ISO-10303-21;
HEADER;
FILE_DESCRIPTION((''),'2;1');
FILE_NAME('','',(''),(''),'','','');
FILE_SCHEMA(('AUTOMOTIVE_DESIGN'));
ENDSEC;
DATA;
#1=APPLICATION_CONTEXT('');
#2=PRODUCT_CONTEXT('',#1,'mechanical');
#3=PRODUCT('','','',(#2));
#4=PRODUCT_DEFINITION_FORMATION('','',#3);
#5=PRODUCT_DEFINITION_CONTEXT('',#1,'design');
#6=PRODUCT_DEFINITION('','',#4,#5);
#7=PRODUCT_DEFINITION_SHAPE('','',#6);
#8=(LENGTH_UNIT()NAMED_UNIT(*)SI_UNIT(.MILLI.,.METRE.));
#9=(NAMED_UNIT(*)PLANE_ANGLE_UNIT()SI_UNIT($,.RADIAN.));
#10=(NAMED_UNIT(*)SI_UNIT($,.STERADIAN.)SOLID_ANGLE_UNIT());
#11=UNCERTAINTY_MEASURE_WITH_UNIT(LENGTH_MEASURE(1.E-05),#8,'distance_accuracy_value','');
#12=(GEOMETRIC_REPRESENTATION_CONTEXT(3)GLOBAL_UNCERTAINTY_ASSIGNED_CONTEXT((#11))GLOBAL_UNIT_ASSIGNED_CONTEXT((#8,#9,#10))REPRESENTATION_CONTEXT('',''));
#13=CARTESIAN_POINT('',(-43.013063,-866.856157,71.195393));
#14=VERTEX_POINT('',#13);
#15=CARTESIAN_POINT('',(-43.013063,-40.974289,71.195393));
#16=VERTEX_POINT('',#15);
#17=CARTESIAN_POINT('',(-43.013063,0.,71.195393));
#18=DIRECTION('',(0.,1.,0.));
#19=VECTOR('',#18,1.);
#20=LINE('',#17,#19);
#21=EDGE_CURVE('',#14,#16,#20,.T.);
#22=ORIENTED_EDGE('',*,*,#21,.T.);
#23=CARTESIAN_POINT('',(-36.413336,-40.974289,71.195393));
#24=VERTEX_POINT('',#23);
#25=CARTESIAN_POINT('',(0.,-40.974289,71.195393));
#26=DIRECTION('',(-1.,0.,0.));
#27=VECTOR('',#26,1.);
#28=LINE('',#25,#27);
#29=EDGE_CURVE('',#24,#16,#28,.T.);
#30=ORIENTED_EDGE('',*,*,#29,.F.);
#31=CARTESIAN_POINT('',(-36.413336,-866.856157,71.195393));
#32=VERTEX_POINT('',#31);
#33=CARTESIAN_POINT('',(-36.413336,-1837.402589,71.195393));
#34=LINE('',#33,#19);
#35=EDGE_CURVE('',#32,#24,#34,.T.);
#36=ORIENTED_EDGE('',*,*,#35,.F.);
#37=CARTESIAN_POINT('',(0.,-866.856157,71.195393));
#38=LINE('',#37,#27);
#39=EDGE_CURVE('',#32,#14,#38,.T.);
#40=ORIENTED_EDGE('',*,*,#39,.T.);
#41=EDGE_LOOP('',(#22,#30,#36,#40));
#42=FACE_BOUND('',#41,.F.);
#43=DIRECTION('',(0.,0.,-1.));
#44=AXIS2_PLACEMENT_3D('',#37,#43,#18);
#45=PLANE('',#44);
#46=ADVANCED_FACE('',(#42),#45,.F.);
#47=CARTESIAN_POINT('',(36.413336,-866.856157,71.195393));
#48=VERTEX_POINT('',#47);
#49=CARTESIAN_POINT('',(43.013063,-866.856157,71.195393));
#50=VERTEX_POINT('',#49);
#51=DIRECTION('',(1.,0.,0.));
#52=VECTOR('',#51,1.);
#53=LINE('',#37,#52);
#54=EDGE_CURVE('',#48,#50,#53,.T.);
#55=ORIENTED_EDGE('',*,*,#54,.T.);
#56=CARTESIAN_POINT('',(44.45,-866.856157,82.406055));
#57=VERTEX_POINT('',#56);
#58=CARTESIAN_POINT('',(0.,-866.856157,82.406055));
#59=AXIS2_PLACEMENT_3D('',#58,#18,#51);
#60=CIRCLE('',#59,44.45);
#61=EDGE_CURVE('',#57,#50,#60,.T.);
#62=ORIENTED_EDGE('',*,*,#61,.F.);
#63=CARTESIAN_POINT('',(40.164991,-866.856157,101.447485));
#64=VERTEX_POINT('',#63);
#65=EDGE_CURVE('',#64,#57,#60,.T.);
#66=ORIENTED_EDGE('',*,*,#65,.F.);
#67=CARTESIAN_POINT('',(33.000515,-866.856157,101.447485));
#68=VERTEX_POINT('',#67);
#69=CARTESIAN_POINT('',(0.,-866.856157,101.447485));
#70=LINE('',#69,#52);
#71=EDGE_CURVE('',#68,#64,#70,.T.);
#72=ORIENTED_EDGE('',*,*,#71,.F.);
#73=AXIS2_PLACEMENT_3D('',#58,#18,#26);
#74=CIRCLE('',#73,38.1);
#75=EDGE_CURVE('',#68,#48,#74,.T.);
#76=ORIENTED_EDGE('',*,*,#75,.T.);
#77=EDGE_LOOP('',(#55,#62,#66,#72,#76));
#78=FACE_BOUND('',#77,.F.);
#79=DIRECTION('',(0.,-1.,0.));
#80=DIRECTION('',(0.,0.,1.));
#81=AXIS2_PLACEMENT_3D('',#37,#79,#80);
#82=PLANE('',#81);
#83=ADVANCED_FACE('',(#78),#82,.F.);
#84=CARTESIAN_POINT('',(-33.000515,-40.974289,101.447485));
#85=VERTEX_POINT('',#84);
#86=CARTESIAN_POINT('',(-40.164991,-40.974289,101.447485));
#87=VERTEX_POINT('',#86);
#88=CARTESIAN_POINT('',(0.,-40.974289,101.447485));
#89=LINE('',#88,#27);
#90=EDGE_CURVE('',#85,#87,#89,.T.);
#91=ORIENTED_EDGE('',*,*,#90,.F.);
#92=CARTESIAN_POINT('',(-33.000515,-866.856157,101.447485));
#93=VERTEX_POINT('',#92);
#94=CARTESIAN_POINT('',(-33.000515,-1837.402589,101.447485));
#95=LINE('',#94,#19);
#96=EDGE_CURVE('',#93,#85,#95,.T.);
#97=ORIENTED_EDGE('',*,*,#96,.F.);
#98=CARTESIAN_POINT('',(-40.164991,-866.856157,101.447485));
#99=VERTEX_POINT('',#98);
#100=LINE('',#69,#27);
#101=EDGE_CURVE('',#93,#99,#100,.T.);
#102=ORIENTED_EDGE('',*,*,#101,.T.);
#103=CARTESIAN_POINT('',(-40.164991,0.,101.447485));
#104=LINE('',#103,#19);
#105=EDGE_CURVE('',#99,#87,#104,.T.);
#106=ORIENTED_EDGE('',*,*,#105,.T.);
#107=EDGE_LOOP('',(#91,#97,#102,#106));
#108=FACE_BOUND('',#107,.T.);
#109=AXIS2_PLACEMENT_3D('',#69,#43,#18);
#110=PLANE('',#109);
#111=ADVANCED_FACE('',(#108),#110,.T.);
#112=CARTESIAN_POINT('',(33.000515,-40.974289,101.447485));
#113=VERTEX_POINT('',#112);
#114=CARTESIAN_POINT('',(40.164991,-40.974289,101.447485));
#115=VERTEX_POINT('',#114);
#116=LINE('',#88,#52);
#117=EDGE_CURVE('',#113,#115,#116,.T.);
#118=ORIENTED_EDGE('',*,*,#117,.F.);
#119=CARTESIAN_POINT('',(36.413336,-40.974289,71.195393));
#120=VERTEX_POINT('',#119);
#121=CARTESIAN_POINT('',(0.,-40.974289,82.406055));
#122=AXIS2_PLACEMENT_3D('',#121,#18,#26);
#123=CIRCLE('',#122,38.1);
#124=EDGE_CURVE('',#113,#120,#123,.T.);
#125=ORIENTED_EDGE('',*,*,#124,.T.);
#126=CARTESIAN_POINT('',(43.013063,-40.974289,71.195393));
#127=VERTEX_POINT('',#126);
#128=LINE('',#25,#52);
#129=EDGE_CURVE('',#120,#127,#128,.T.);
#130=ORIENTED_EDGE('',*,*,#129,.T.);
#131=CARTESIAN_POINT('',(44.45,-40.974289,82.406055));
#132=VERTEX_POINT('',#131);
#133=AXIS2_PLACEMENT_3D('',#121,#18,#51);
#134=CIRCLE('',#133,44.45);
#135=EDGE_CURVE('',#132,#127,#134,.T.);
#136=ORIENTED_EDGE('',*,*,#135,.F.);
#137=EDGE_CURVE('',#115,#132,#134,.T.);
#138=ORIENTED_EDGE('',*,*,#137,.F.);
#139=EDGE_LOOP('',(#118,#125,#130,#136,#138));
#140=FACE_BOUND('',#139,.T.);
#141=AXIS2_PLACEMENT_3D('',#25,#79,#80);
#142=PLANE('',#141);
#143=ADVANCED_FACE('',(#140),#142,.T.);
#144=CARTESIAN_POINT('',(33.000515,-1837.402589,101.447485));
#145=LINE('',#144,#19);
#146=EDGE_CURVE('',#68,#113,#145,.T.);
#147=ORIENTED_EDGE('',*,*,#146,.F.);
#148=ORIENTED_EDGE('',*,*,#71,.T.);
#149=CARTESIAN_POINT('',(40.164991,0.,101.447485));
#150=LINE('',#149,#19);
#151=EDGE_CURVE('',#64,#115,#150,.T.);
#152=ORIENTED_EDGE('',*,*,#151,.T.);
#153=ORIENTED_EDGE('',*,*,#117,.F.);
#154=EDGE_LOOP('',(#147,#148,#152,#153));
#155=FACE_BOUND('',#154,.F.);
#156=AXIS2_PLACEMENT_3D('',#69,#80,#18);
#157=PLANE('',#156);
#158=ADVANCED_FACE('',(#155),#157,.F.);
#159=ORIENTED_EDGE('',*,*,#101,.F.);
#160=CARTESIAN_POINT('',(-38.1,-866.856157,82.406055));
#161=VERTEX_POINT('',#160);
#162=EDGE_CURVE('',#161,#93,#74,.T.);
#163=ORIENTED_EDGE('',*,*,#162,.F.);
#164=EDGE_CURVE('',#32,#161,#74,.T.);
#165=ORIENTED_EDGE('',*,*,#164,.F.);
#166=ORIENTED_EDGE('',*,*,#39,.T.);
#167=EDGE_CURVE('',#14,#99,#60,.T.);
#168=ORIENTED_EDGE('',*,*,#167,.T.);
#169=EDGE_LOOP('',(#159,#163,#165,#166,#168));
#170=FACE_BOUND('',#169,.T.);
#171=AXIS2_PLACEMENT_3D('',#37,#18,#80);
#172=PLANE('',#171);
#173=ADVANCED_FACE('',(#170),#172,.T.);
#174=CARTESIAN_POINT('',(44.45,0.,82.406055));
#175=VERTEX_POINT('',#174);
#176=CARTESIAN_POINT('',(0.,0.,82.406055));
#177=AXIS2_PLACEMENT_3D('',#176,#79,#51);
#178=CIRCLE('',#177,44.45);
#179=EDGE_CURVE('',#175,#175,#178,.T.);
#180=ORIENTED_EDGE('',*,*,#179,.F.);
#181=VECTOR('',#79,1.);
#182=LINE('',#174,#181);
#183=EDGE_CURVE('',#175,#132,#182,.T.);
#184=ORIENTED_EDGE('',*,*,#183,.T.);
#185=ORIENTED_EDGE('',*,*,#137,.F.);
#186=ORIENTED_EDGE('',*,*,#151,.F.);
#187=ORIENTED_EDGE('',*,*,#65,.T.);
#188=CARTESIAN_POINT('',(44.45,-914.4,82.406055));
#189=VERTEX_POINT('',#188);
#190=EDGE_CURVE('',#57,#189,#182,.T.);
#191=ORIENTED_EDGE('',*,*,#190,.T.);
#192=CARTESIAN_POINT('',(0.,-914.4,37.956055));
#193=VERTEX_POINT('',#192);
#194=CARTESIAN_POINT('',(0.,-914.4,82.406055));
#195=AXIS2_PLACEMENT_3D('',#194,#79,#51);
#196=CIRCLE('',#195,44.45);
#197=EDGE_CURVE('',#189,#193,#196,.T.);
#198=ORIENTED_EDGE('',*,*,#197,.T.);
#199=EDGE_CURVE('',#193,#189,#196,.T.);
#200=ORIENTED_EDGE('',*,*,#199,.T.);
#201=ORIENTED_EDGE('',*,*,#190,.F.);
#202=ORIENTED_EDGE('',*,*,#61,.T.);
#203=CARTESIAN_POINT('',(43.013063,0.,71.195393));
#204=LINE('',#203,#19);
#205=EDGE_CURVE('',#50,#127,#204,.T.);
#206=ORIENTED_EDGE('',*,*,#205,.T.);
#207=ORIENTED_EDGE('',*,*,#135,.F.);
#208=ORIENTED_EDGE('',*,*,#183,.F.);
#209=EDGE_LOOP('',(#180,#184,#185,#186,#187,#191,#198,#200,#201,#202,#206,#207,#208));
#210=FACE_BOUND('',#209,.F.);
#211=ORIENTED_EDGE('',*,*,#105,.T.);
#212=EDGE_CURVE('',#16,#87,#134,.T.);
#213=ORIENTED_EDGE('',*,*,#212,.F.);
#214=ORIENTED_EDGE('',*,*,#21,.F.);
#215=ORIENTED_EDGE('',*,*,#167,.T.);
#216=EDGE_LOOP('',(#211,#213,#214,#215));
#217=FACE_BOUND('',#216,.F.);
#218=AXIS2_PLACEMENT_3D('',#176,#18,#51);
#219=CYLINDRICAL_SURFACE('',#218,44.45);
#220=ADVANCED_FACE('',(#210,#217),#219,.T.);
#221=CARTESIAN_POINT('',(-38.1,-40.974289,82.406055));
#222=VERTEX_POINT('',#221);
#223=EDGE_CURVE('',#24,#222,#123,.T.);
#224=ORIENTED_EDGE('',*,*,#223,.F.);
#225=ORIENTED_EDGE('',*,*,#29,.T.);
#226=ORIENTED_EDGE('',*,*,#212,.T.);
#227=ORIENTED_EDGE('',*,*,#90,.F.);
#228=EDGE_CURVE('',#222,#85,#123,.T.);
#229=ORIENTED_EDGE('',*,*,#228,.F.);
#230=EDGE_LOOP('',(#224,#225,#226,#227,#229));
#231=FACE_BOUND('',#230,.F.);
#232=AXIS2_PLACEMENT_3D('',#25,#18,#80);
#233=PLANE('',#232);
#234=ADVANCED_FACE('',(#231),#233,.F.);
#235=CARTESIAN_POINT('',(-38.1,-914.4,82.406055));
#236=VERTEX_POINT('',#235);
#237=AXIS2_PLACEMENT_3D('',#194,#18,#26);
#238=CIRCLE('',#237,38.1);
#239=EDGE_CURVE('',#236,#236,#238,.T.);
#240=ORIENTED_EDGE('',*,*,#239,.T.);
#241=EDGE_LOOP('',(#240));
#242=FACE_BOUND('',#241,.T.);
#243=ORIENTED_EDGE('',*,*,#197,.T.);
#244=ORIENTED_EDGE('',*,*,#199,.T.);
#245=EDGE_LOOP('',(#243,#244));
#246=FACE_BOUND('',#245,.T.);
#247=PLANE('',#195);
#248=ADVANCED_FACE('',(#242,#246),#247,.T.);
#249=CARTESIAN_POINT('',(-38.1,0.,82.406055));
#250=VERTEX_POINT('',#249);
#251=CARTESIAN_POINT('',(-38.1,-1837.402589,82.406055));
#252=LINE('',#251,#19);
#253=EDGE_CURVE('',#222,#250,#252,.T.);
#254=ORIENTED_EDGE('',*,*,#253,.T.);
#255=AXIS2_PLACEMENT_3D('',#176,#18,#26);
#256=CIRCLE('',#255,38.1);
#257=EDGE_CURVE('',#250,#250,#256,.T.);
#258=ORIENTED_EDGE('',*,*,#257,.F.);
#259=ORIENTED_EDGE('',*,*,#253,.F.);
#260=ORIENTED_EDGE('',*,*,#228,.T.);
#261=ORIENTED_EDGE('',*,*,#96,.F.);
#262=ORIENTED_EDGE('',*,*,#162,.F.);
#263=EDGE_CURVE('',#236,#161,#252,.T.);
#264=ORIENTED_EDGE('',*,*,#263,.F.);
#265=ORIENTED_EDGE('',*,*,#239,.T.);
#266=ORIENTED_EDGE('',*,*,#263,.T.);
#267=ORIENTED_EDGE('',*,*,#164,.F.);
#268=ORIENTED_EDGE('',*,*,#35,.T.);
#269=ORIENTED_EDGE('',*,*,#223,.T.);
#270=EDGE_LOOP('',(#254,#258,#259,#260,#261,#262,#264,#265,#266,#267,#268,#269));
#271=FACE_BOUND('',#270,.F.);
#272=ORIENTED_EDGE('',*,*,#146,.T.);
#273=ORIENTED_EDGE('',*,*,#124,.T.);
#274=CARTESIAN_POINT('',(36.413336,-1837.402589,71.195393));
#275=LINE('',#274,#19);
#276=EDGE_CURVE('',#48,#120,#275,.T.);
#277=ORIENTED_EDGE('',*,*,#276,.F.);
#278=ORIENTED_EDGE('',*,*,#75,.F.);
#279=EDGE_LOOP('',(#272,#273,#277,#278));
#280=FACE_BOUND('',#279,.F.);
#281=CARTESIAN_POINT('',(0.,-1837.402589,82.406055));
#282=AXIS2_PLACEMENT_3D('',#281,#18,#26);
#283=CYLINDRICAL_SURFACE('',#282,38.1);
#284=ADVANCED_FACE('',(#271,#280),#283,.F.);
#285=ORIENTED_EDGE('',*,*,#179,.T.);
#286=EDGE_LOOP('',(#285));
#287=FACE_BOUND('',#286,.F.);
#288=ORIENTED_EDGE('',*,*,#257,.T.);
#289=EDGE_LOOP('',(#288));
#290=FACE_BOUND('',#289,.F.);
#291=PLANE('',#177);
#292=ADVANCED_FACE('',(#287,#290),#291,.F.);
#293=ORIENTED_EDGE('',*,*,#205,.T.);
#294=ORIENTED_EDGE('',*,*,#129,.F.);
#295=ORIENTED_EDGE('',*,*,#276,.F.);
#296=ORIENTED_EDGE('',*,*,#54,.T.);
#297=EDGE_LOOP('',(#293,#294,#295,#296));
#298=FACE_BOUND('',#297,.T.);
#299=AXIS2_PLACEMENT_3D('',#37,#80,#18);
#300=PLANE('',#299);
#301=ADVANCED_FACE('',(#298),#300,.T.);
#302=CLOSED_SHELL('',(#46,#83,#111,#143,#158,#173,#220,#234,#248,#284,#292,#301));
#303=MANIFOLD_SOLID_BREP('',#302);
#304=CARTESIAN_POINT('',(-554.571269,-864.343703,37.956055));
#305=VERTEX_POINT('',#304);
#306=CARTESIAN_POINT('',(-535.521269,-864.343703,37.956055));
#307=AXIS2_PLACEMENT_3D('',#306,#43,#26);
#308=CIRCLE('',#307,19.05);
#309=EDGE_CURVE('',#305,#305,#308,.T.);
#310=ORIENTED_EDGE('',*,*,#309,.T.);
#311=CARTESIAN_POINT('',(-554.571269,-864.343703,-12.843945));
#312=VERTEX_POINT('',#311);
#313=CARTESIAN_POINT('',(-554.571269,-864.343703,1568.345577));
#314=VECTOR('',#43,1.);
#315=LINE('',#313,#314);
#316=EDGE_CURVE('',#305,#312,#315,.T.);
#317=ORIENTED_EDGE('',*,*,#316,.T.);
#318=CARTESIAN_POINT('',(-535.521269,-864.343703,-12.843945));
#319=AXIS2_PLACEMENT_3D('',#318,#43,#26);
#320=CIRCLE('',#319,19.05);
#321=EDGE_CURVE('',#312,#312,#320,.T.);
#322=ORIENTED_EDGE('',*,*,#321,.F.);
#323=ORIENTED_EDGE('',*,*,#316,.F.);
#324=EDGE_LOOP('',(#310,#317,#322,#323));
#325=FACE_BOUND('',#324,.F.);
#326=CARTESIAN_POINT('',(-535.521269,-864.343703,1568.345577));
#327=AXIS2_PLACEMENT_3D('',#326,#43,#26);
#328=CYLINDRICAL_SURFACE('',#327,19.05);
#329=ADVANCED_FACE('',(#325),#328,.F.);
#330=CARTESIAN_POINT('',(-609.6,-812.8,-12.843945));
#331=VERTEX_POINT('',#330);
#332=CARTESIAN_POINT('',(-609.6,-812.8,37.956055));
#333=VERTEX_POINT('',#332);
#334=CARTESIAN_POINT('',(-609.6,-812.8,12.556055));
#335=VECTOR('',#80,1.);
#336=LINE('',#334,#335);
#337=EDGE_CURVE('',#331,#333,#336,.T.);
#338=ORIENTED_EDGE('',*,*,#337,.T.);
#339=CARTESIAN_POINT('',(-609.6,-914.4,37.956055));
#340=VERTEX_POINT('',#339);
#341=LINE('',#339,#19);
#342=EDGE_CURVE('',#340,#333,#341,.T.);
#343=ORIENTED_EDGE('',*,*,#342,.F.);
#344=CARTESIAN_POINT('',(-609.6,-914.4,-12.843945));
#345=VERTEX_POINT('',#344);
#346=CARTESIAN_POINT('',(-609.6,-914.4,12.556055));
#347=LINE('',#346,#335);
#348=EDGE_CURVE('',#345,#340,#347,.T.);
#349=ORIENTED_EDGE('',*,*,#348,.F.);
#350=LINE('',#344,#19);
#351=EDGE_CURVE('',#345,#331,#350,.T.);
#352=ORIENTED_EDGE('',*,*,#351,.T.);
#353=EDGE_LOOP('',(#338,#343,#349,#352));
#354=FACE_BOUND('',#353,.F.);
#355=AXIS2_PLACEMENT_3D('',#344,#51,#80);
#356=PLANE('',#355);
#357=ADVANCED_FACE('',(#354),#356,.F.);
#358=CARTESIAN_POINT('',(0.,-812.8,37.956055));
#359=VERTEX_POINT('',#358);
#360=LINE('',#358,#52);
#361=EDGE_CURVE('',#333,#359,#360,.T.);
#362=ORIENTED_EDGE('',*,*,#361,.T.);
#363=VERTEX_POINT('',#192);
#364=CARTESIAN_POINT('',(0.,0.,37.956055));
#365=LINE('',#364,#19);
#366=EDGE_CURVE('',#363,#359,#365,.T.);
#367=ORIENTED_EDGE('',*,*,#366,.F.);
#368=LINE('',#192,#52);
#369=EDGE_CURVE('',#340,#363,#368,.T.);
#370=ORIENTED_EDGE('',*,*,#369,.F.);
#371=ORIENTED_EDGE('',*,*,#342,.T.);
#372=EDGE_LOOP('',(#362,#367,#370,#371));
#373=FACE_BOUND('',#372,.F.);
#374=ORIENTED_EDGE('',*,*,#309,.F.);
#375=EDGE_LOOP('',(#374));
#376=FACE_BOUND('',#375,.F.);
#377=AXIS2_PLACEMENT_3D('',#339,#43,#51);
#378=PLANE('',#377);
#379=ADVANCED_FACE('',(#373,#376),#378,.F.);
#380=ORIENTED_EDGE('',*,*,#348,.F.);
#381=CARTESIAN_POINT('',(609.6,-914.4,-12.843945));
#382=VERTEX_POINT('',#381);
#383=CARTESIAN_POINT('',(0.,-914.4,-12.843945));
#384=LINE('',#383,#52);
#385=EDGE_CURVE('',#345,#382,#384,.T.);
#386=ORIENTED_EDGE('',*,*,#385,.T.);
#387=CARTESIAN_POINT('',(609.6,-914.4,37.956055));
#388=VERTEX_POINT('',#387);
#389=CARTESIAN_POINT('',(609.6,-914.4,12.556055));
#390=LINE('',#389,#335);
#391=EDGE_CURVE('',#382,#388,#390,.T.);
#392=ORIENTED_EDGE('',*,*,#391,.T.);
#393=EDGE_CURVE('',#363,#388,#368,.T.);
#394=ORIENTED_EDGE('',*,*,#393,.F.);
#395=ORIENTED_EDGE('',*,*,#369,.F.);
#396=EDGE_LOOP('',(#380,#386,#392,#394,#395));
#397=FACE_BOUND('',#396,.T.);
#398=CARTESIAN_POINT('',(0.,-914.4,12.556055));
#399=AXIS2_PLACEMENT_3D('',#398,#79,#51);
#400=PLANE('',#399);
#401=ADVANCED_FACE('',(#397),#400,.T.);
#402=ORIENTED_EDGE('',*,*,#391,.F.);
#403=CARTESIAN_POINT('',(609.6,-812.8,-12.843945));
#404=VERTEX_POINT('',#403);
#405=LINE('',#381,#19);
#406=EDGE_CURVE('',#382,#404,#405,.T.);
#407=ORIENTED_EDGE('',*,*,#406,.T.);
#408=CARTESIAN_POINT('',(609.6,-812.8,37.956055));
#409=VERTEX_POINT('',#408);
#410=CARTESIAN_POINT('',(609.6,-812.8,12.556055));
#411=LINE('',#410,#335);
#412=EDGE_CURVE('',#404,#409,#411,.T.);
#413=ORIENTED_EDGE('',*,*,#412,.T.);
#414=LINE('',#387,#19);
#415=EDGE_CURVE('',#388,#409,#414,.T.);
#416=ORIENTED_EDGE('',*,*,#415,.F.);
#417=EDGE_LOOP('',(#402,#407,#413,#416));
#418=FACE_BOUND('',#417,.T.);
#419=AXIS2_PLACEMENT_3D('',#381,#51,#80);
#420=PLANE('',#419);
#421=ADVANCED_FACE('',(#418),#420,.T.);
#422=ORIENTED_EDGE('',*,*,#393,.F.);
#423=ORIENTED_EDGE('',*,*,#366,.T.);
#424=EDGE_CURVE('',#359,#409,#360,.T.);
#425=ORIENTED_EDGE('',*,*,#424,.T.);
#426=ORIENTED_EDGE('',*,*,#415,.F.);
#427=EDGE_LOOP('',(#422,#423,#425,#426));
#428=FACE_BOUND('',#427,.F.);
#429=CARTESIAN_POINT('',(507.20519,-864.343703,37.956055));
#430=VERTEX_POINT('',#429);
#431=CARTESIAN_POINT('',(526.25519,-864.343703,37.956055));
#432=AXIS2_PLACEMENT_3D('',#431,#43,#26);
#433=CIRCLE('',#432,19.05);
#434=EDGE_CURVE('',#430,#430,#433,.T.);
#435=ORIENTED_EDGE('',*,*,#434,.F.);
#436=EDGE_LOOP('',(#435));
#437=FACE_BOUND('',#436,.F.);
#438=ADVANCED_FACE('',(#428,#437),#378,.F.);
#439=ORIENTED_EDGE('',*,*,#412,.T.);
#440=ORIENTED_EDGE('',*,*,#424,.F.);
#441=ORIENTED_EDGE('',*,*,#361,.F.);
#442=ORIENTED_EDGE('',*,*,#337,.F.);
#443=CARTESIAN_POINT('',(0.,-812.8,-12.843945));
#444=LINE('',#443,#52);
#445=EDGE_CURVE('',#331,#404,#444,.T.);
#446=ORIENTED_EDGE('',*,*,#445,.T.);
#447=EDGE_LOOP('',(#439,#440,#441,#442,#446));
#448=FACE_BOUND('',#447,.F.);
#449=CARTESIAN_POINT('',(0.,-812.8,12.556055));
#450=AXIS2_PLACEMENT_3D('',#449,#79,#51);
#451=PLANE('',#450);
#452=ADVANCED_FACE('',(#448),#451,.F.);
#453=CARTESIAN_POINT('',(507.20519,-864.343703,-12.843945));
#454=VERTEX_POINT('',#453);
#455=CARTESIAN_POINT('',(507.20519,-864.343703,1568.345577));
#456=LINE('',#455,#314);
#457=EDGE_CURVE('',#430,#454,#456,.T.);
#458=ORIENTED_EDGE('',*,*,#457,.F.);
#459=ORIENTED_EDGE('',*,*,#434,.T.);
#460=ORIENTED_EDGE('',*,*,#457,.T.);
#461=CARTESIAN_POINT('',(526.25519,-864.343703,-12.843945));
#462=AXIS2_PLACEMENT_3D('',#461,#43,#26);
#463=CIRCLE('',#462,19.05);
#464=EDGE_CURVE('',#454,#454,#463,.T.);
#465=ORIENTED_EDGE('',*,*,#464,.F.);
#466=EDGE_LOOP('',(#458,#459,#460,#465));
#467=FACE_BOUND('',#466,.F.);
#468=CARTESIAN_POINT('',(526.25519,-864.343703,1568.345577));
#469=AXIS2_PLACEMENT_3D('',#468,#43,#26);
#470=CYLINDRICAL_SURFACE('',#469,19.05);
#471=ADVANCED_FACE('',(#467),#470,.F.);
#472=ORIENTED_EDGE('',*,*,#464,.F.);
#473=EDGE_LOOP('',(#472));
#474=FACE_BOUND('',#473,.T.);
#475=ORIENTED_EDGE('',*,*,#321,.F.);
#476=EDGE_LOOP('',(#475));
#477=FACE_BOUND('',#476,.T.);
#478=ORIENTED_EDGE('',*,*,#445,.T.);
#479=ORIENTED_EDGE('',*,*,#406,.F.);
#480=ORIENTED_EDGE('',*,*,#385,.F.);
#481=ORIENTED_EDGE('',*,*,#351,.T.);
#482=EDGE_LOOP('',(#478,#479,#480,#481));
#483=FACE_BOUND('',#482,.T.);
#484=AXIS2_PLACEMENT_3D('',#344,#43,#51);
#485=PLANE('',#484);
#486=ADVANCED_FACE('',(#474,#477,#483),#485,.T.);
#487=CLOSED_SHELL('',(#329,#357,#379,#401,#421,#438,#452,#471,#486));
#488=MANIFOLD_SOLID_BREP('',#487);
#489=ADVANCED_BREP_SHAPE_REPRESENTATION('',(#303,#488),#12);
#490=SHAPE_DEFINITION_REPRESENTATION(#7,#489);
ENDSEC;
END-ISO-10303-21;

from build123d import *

# Parameters (mm, degrees)
F0_R      = 44.45
F1_DEPTH  = 914.4
F3_D      = 76.2
F4_W      = 1219.2
F4_H      = 50.8
F5_DEPTH  = 101.6
F7_D      = 38.1
F8_D      = 38.1
F9_W      = 825.881869
F9_H      = 30.252091
F10_DEPTH = 114.3
F11_DEPTH = 109.22


with BuildPart() as f1:
    # F0 (on Front) → F1 (new body)
    with BuildSketch(Plane.XZ):
        with Locations((0, 82.406055)):
            Circle(F0_R)
    extrude(amount=F1_DEPTH)

    # F3 (through all)
    with Locations(Plane.XZ.offset(914.4)):
        with Locations((0, 82.406055)):
            Hole(F3_D / 2)

    # F4 (on face) → F5 (join)
    with BuildSketch(Plane.XZ.offset(914.4)):
        with Locations((0, 12.556055)):
            Rectangle(F4_W, F4_H)
    extrude(amount=-F5_DEPTH)

    # F7 (through all)
    with Locations(Plane.XY.offset(37.956055)):
        with Locations((-535.521269, -864.343703)):
            Hole(F7_D / 2)

    # F8 (through all)
    with Locations(Plane.XY.offset(37.956055)):
        with Locations((526.25519, -864.343703)):
            Hole(F8_D / 2)

    # F9 (on Right) → F10 (cut)
    with BuildSketch(Plane.YZ):
        with Locations((-453.915223, 86.321439)):
            Rectangle(F9_W, F9_H)
    extrude(amount=-F10_DEPTH, mode=Mode.SUBTRACT)

    # F9 (on Right) → F11 (cut)
    with BuildSketch(Plane.YZ):
        with Locations((-453.915223, 86.321439)):
            Rectangle(F9_W, F9_H)
    extrude(amount=F11_DEPTH, mode=Mode.SUBTRACT)


solid = f1.part
